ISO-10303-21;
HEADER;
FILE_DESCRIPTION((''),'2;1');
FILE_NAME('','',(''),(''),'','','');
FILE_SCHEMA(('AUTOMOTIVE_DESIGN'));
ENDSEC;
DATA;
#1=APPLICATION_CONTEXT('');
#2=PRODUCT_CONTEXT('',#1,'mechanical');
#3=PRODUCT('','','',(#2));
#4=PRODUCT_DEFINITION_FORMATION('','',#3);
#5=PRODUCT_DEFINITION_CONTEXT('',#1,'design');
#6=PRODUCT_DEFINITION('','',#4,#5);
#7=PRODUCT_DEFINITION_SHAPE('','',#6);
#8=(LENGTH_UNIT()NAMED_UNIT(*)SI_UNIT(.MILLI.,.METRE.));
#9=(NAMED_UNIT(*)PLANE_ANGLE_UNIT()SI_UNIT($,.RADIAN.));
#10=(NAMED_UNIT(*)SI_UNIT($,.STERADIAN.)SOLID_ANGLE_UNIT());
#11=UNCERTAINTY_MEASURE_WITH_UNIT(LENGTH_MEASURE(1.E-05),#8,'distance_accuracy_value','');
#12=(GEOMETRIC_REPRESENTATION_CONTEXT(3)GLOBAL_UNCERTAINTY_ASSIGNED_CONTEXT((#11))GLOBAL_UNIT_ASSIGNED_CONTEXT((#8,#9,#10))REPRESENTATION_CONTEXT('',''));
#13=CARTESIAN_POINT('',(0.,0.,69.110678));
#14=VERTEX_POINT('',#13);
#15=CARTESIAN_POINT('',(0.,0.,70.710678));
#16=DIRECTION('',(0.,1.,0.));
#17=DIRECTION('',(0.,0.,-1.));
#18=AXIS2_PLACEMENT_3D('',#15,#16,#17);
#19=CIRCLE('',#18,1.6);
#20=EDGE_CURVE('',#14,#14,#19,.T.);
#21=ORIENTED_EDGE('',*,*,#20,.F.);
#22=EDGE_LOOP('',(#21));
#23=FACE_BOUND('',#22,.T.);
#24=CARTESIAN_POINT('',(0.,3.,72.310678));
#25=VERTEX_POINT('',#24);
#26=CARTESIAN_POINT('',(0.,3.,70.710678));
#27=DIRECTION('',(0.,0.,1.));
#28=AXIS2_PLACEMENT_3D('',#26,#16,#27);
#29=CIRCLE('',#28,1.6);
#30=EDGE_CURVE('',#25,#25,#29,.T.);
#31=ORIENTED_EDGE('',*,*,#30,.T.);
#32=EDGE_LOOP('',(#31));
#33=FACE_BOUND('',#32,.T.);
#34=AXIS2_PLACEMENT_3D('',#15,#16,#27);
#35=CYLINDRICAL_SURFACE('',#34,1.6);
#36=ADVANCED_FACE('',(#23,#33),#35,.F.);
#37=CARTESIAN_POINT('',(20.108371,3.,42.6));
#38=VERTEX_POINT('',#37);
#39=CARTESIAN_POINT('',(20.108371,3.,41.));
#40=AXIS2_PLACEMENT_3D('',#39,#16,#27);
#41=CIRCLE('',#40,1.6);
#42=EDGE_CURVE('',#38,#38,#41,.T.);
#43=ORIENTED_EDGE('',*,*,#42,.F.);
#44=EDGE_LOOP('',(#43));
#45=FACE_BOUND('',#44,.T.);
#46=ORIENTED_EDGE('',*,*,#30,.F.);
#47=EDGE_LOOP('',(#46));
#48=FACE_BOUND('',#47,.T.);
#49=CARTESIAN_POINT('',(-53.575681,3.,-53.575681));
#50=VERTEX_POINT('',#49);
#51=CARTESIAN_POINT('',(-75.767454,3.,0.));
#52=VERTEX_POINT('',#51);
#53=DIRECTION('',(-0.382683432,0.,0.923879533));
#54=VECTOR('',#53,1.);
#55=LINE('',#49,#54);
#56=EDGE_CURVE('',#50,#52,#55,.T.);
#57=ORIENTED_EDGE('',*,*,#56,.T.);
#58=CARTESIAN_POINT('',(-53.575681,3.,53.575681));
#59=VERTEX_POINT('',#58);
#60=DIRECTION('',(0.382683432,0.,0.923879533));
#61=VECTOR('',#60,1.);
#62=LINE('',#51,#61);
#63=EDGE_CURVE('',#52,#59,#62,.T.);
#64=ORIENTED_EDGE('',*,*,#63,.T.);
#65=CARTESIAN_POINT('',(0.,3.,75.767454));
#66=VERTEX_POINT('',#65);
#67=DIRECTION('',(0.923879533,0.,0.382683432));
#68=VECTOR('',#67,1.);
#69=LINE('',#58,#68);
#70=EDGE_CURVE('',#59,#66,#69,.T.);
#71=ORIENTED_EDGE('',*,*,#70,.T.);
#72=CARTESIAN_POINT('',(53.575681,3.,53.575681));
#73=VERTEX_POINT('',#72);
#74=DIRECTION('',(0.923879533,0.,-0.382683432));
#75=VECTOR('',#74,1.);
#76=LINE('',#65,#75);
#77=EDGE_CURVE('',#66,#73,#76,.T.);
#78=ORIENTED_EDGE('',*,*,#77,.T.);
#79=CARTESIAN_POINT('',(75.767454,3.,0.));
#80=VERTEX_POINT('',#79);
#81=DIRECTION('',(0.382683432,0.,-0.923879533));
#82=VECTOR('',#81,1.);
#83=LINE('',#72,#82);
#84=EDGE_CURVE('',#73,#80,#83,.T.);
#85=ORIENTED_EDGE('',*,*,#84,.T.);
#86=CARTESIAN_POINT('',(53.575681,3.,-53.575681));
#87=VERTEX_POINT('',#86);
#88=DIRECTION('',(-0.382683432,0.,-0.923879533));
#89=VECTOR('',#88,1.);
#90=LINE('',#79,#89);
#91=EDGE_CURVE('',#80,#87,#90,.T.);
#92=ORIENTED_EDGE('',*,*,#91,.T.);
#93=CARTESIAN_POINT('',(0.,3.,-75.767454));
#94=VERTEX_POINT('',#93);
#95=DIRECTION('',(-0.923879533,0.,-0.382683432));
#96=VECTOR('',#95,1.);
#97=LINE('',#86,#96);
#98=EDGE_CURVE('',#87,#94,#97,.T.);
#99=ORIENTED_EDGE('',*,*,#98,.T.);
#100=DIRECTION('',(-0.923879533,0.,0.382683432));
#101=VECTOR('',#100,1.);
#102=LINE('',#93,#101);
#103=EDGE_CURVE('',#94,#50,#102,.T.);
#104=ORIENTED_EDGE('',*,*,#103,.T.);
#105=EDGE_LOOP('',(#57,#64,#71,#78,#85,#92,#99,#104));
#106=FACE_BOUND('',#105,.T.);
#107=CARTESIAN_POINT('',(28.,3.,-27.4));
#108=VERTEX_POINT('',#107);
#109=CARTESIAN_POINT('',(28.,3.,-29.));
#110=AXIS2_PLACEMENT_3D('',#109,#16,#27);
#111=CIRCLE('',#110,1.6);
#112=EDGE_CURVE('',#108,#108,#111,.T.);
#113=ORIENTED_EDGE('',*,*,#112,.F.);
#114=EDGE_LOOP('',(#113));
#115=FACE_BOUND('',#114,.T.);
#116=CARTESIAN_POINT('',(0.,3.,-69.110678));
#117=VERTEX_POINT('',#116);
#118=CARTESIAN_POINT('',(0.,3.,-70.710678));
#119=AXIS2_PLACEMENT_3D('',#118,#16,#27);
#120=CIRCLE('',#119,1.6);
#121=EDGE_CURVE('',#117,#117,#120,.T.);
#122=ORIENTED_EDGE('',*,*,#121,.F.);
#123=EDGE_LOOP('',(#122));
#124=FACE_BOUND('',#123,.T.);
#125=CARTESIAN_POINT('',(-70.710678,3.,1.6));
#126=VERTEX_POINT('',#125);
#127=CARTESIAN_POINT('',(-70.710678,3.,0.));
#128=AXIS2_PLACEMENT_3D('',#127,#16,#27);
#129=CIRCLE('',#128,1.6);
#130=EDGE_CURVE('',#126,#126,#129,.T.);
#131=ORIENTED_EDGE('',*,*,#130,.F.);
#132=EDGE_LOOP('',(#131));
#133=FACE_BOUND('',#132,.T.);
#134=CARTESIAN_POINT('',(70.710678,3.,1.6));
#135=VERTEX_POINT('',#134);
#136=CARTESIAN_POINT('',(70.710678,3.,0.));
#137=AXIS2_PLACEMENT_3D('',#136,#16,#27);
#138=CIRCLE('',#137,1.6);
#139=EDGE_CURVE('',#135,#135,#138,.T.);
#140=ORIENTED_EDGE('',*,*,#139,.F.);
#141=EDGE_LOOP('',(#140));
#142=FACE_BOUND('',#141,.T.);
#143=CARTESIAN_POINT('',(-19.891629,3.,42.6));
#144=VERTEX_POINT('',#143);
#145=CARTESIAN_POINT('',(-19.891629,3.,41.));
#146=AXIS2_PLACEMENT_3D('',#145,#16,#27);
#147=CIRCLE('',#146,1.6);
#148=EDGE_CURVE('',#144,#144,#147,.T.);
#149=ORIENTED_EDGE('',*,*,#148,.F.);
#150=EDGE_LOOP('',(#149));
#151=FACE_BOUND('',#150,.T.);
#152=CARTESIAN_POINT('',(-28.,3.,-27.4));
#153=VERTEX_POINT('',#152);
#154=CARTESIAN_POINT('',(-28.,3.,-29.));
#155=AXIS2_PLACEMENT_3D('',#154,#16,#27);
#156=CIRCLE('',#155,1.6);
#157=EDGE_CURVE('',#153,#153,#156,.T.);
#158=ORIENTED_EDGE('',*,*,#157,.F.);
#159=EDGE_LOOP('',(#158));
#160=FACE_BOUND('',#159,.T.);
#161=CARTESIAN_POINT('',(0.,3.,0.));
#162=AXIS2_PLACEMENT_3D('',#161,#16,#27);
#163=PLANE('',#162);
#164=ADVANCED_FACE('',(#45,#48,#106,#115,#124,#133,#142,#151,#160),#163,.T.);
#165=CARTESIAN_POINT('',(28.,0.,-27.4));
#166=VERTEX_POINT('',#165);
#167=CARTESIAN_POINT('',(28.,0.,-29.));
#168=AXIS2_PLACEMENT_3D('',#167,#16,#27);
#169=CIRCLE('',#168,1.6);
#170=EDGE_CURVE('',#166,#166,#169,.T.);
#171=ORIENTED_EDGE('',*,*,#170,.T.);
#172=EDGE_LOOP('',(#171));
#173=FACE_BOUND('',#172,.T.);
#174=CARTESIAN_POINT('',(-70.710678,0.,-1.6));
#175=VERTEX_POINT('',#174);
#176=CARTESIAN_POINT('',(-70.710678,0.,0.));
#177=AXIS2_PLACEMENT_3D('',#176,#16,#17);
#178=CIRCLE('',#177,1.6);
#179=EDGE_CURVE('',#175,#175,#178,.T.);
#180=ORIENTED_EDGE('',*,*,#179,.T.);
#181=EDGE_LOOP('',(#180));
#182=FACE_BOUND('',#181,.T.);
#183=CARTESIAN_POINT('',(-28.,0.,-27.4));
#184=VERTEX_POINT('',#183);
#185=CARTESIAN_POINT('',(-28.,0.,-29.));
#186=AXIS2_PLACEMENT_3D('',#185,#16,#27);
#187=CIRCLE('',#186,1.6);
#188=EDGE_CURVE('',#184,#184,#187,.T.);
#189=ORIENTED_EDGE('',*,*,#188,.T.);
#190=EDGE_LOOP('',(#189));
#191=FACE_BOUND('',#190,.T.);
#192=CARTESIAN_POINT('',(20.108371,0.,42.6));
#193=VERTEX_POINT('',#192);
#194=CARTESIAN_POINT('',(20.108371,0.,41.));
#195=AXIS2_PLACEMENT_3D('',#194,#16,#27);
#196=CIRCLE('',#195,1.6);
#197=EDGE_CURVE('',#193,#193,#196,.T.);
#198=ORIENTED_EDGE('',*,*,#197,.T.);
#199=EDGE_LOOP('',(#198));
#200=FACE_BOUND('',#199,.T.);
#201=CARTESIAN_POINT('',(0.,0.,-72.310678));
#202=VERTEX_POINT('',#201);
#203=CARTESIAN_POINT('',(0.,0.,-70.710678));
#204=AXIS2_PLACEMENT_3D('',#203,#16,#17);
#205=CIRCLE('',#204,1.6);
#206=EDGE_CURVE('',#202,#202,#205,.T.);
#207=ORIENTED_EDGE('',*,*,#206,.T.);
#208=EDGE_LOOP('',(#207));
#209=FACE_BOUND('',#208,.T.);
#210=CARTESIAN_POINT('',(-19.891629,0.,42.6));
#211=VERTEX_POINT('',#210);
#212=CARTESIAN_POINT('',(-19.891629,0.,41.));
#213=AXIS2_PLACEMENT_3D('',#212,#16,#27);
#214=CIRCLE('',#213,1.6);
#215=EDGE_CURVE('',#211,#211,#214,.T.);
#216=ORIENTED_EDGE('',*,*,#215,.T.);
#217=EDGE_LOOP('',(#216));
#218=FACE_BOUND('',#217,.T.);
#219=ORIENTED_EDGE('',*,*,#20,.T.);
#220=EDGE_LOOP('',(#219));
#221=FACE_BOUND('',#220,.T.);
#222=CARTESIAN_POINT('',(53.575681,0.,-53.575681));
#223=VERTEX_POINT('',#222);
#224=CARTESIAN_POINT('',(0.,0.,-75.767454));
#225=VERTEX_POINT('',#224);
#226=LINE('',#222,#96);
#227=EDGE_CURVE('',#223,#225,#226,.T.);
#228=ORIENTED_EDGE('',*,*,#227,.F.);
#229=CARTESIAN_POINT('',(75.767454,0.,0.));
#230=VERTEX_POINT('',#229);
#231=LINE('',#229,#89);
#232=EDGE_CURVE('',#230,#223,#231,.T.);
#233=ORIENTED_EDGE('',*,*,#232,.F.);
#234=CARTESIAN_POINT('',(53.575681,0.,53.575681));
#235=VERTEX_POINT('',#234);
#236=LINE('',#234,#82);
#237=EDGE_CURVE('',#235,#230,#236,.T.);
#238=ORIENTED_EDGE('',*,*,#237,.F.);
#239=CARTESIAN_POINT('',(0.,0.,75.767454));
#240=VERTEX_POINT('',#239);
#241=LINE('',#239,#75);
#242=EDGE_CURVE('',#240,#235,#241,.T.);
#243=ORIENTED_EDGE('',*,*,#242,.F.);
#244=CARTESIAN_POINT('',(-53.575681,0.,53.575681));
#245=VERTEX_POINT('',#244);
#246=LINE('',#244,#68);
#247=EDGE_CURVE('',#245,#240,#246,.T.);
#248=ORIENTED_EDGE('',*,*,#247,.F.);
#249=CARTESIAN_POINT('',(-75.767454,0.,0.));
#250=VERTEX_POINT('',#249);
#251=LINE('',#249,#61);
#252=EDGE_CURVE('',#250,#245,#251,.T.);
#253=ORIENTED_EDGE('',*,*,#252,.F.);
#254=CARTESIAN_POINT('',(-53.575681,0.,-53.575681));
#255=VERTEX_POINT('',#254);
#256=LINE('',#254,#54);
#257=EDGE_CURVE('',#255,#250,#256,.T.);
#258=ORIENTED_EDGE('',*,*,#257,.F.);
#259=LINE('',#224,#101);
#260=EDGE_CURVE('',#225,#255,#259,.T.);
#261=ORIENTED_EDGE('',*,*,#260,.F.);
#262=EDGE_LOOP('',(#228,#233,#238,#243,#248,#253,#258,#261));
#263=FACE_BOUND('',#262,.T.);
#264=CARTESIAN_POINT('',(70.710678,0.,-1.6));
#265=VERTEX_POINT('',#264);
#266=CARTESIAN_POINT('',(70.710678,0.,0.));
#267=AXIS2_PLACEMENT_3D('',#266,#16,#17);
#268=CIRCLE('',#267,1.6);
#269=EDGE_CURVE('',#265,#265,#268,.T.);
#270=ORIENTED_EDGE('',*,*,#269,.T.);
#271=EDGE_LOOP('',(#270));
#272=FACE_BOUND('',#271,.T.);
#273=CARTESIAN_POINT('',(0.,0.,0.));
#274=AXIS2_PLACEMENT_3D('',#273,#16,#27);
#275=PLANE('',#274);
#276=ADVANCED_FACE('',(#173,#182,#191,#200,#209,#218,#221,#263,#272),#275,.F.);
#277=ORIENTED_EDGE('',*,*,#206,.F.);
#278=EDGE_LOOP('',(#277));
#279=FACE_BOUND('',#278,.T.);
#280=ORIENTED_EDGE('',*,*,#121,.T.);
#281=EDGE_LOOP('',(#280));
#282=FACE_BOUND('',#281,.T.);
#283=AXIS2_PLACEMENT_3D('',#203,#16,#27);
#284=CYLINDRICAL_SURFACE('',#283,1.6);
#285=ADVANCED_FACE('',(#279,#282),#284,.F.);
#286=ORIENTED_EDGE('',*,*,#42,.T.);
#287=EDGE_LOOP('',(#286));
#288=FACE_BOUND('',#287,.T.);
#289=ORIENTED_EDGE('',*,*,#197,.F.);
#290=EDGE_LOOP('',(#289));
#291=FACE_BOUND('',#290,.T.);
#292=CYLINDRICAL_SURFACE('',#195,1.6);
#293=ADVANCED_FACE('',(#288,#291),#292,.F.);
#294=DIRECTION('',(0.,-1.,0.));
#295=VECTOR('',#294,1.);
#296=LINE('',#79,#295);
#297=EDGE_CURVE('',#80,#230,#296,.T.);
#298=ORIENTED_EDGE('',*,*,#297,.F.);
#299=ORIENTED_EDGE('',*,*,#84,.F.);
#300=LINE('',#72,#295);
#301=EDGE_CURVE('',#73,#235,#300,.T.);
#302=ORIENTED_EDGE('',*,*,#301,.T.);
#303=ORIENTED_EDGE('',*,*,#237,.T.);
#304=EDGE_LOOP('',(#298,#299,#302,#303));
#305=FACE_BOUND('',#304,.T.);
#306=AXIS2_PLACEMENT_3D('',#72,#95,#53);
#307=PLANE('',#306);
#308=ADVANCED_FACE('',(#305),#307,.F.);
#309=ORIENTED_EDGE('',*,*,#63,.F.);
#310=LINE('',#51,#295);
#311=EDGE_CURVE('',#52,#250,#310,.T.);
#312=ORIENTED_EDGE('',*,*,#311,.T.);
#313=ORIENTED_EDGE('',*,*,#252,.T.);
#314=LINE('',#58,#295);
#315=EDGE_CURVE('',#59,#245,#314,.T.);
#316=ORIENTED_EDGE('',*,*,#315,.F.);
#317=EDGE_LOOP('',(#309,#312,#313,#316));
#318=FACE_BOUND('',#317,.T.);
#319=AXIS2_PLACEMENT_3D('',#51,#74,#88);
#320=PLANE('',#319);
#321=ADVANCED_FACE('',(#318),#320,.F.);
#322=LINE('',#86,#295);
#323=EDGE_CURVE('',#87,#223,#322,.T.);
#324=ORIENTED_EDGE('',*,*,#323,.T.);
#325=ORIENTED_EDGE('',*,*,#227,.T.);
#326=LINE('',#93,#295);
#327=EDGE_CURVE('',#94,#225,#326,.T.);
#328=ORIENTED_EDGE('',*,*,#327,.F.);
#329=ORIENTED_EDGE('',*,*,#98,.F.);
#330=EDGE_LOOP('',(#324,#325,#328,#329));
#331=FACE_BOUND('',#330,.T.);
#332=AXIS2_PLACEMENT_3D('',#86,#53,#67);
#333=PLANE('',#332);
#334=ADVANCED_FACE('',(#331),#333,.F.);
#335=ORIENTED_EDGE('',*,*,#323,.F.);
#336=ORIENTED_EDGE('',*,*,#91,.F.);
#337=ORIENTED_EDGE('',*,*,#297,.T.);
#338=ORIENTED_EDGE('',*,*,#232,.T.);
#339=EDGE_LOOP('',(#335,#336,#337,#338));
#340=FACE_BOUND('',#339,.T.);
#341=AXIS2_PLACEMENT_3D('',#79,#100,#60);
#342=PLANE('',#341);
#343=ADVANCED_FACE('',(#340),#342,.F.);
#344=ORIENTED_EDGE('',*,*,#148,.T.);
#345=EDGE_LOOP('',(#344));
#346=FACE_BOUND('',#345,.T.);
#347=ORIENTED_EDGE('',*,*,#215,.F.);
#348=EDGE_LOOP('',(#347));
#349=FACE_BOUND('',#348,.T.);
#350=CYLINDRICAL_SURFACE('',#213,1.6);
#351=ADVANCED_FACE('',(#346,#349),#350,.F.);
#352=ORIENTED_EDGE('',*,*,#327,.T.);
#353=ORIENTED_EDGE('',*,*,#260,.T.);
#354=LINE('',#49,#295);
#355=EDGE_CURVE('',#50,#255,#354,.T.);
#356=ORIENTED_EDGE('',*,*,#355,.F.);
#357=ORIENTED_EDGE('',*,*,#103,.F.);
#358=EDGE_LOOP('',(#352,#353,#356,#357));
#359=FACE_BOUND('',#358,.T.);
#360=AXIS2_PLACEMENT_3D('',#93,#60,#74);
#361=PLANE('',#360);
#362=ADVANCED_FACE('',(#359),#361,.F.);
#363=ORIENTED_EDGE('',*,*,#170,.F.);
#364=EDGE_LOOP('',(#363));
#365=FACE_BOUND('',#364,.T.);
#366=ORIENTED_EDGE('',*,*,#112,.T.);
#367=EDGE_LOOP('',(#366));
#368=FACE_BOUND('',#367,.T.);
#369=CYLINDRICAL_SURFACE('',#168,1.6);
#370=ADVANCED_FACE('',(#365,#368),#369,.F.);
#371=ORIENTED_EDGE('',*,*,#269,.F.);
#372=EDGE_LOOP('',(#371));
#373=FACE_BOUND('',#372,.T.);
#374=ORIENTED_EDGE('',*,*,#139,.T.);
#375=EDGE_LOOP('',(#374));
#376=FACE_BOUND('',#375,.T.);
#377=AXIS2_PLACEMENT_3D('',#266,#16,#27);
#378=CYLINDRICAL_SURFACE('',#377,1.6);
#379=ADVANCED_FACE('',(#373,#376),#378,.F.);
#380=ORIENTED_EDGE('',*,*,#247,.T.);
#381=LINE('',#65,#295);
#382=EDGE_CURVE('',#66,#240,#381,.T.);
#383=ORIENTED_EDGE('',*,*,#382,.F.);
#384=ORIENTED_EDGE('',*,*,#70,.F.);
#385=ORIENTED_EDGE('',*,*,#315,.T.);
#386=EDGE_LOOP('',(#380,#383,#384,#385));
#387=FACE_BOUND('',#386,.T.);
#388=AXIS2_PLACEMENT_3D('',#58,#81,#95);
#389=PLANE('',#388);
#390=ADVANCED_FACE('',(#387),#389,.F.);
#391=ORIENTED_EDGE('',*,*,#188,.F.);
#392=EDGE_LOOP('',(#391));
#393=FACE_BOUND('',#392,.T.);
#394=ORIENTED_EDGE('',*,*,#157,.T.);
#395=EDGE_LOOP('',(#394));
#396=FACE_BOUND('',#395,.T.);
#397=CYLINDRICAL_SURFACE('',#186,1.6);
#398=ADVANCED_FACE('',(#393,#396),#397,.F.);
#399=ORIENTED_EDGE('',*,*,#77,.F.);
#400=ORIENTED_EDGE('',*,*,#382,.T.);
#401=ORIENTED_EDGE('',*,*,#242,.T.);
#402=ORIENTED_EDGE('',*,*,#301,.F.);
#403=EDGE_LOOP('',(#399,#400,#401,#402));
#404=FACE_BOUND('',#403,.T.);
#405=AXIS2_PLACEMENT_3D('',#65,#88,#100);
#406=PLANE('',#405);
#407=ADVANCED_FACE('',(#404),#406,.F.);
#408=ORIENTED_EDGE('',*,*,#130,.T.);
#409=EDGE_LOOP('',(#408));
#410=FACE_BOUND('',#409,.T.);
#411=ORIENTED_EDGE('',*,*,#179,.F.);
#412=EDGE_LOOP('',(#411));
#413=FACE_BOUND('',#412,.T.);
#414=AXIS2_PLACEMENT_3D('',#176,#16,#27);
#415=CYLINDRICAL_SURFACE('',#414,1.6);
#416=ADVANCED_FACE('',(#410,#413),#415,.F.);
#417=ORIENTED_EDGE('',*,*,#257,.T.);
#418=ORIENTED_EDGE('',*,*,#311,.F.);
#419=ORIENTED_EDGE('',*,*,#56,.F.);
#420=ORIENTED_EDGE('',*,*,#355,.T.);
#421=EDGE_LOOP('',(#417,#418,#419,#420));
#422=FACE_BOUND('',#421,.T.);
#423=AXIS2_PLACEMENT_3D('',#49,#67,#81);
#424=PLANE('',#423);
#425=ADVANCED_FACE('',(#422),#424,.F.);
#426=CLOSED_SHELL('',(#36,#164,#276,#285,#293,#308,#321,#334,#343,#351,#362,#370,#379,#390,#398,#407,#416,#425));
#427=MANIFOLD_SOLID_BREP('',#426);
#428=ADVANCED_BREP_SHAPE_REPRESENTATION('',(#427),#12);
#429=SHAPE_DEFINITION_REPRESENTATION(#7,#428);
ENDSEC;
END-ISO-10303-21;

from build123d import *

# Parameters (mm, degrees)
BOSS_EXTRUDE2_DEPTH     = 3
CUT_EXTRUDE3_DEPTH      = 108.193349502
CUT_EXTRUDE3_DEPTH_BACK = 108.193349502
SKETCH3_R               = 1.6
CUT_EXTRUDE4_DEPTH      = 108.193349502
CUT_EXTRUDE4_DEPTH_BACK = 108.193349502
SKETCH4_R               = 1.6


with BuildPart() as part:
    # Sketch1 → Boss-Extrude2 (new body)
    with BuildSketch(Plane(origin=(0, 0, 0), x_dir=(1, 0, 0), z_dir=(0, 1, 0))):
        Polygon((0, -75.76745402), (53.575680531, -53.575680531), (75.76745402, 0), (53.575680531, 53.575680531), (0, 75.76745402), (-53.575680531, 53.575680531), (-75.76745402, 0), (-53.575680531, -53.575680531), align=None)
    extrude(amount=BOSS_EXTRUDE2_DEPTH)

    # Sketch3 → Cut-Extrude3 (cut, two sides: drawn at the far end of the back side and taken through both)
    with BuildSketch(Plane(origin=(0, 3, 0), x_dir=(1, 0, 0), z_dir=(0, 1, 0)).offset(-CUT_EXTRUDE3_DEPTH_BACK)):
        with Locations(Location((-70.710678119, 0, 0), (0, 0, 270))):
            Circle(SKETCH3_R)
        with Locations(Location((0, 70.710678119, 0), (0, 0, 270))):
            Circle(SKETCH3_R)
        with Locations(Location((70.710678119, 0, 0), (0, 0, 270))):
            Circle(SKETCH3_R)
        with Locations(Location((0, -70.710678119, 0), (0, 0, 270))):
            Circle(SKETCH3_R)
    extrude(amount=CUT_EXTRUDE3_DEPTH + CUT_EXTRUDE3_DEPTH_BACK, mode=Mode.SUBTRACT)

    # Sketch4 → Cut-Extrude4 (cut, two sides: drawn at the far end of the back side and taken through both)
    with BuildSketch(Plane(origin=(0, 3, 0), x_dir=(1, 0, 0), z_dir=(0, 1, 0)).offset(-CUT_EXTRUDE4_DEPTH_BACK)):
        with Locations(Location((-19.891628757, -41, 0), (0, 0, 270))):
            Circle(SKETCH4_R)
        with Locations(Location((20.108371243, -41, 0), (0, 0, 270))):
            Circle(SKETCH4_R)
        with Locations(Location((-28, 29, 0), (0, 0, 270))):
            Circle(SKETCH4_R)
        with Locations(Location((28, 29, 0), (0, 0, 270))):
            Circle(SKETCH4_R)
    extrude(amount=CUT_EXTRUDE4_DEPTH + CUT_EXTRUDE4_DEPTH_BACK, mode=Mode.SUBTRACT)


solid = part.part
